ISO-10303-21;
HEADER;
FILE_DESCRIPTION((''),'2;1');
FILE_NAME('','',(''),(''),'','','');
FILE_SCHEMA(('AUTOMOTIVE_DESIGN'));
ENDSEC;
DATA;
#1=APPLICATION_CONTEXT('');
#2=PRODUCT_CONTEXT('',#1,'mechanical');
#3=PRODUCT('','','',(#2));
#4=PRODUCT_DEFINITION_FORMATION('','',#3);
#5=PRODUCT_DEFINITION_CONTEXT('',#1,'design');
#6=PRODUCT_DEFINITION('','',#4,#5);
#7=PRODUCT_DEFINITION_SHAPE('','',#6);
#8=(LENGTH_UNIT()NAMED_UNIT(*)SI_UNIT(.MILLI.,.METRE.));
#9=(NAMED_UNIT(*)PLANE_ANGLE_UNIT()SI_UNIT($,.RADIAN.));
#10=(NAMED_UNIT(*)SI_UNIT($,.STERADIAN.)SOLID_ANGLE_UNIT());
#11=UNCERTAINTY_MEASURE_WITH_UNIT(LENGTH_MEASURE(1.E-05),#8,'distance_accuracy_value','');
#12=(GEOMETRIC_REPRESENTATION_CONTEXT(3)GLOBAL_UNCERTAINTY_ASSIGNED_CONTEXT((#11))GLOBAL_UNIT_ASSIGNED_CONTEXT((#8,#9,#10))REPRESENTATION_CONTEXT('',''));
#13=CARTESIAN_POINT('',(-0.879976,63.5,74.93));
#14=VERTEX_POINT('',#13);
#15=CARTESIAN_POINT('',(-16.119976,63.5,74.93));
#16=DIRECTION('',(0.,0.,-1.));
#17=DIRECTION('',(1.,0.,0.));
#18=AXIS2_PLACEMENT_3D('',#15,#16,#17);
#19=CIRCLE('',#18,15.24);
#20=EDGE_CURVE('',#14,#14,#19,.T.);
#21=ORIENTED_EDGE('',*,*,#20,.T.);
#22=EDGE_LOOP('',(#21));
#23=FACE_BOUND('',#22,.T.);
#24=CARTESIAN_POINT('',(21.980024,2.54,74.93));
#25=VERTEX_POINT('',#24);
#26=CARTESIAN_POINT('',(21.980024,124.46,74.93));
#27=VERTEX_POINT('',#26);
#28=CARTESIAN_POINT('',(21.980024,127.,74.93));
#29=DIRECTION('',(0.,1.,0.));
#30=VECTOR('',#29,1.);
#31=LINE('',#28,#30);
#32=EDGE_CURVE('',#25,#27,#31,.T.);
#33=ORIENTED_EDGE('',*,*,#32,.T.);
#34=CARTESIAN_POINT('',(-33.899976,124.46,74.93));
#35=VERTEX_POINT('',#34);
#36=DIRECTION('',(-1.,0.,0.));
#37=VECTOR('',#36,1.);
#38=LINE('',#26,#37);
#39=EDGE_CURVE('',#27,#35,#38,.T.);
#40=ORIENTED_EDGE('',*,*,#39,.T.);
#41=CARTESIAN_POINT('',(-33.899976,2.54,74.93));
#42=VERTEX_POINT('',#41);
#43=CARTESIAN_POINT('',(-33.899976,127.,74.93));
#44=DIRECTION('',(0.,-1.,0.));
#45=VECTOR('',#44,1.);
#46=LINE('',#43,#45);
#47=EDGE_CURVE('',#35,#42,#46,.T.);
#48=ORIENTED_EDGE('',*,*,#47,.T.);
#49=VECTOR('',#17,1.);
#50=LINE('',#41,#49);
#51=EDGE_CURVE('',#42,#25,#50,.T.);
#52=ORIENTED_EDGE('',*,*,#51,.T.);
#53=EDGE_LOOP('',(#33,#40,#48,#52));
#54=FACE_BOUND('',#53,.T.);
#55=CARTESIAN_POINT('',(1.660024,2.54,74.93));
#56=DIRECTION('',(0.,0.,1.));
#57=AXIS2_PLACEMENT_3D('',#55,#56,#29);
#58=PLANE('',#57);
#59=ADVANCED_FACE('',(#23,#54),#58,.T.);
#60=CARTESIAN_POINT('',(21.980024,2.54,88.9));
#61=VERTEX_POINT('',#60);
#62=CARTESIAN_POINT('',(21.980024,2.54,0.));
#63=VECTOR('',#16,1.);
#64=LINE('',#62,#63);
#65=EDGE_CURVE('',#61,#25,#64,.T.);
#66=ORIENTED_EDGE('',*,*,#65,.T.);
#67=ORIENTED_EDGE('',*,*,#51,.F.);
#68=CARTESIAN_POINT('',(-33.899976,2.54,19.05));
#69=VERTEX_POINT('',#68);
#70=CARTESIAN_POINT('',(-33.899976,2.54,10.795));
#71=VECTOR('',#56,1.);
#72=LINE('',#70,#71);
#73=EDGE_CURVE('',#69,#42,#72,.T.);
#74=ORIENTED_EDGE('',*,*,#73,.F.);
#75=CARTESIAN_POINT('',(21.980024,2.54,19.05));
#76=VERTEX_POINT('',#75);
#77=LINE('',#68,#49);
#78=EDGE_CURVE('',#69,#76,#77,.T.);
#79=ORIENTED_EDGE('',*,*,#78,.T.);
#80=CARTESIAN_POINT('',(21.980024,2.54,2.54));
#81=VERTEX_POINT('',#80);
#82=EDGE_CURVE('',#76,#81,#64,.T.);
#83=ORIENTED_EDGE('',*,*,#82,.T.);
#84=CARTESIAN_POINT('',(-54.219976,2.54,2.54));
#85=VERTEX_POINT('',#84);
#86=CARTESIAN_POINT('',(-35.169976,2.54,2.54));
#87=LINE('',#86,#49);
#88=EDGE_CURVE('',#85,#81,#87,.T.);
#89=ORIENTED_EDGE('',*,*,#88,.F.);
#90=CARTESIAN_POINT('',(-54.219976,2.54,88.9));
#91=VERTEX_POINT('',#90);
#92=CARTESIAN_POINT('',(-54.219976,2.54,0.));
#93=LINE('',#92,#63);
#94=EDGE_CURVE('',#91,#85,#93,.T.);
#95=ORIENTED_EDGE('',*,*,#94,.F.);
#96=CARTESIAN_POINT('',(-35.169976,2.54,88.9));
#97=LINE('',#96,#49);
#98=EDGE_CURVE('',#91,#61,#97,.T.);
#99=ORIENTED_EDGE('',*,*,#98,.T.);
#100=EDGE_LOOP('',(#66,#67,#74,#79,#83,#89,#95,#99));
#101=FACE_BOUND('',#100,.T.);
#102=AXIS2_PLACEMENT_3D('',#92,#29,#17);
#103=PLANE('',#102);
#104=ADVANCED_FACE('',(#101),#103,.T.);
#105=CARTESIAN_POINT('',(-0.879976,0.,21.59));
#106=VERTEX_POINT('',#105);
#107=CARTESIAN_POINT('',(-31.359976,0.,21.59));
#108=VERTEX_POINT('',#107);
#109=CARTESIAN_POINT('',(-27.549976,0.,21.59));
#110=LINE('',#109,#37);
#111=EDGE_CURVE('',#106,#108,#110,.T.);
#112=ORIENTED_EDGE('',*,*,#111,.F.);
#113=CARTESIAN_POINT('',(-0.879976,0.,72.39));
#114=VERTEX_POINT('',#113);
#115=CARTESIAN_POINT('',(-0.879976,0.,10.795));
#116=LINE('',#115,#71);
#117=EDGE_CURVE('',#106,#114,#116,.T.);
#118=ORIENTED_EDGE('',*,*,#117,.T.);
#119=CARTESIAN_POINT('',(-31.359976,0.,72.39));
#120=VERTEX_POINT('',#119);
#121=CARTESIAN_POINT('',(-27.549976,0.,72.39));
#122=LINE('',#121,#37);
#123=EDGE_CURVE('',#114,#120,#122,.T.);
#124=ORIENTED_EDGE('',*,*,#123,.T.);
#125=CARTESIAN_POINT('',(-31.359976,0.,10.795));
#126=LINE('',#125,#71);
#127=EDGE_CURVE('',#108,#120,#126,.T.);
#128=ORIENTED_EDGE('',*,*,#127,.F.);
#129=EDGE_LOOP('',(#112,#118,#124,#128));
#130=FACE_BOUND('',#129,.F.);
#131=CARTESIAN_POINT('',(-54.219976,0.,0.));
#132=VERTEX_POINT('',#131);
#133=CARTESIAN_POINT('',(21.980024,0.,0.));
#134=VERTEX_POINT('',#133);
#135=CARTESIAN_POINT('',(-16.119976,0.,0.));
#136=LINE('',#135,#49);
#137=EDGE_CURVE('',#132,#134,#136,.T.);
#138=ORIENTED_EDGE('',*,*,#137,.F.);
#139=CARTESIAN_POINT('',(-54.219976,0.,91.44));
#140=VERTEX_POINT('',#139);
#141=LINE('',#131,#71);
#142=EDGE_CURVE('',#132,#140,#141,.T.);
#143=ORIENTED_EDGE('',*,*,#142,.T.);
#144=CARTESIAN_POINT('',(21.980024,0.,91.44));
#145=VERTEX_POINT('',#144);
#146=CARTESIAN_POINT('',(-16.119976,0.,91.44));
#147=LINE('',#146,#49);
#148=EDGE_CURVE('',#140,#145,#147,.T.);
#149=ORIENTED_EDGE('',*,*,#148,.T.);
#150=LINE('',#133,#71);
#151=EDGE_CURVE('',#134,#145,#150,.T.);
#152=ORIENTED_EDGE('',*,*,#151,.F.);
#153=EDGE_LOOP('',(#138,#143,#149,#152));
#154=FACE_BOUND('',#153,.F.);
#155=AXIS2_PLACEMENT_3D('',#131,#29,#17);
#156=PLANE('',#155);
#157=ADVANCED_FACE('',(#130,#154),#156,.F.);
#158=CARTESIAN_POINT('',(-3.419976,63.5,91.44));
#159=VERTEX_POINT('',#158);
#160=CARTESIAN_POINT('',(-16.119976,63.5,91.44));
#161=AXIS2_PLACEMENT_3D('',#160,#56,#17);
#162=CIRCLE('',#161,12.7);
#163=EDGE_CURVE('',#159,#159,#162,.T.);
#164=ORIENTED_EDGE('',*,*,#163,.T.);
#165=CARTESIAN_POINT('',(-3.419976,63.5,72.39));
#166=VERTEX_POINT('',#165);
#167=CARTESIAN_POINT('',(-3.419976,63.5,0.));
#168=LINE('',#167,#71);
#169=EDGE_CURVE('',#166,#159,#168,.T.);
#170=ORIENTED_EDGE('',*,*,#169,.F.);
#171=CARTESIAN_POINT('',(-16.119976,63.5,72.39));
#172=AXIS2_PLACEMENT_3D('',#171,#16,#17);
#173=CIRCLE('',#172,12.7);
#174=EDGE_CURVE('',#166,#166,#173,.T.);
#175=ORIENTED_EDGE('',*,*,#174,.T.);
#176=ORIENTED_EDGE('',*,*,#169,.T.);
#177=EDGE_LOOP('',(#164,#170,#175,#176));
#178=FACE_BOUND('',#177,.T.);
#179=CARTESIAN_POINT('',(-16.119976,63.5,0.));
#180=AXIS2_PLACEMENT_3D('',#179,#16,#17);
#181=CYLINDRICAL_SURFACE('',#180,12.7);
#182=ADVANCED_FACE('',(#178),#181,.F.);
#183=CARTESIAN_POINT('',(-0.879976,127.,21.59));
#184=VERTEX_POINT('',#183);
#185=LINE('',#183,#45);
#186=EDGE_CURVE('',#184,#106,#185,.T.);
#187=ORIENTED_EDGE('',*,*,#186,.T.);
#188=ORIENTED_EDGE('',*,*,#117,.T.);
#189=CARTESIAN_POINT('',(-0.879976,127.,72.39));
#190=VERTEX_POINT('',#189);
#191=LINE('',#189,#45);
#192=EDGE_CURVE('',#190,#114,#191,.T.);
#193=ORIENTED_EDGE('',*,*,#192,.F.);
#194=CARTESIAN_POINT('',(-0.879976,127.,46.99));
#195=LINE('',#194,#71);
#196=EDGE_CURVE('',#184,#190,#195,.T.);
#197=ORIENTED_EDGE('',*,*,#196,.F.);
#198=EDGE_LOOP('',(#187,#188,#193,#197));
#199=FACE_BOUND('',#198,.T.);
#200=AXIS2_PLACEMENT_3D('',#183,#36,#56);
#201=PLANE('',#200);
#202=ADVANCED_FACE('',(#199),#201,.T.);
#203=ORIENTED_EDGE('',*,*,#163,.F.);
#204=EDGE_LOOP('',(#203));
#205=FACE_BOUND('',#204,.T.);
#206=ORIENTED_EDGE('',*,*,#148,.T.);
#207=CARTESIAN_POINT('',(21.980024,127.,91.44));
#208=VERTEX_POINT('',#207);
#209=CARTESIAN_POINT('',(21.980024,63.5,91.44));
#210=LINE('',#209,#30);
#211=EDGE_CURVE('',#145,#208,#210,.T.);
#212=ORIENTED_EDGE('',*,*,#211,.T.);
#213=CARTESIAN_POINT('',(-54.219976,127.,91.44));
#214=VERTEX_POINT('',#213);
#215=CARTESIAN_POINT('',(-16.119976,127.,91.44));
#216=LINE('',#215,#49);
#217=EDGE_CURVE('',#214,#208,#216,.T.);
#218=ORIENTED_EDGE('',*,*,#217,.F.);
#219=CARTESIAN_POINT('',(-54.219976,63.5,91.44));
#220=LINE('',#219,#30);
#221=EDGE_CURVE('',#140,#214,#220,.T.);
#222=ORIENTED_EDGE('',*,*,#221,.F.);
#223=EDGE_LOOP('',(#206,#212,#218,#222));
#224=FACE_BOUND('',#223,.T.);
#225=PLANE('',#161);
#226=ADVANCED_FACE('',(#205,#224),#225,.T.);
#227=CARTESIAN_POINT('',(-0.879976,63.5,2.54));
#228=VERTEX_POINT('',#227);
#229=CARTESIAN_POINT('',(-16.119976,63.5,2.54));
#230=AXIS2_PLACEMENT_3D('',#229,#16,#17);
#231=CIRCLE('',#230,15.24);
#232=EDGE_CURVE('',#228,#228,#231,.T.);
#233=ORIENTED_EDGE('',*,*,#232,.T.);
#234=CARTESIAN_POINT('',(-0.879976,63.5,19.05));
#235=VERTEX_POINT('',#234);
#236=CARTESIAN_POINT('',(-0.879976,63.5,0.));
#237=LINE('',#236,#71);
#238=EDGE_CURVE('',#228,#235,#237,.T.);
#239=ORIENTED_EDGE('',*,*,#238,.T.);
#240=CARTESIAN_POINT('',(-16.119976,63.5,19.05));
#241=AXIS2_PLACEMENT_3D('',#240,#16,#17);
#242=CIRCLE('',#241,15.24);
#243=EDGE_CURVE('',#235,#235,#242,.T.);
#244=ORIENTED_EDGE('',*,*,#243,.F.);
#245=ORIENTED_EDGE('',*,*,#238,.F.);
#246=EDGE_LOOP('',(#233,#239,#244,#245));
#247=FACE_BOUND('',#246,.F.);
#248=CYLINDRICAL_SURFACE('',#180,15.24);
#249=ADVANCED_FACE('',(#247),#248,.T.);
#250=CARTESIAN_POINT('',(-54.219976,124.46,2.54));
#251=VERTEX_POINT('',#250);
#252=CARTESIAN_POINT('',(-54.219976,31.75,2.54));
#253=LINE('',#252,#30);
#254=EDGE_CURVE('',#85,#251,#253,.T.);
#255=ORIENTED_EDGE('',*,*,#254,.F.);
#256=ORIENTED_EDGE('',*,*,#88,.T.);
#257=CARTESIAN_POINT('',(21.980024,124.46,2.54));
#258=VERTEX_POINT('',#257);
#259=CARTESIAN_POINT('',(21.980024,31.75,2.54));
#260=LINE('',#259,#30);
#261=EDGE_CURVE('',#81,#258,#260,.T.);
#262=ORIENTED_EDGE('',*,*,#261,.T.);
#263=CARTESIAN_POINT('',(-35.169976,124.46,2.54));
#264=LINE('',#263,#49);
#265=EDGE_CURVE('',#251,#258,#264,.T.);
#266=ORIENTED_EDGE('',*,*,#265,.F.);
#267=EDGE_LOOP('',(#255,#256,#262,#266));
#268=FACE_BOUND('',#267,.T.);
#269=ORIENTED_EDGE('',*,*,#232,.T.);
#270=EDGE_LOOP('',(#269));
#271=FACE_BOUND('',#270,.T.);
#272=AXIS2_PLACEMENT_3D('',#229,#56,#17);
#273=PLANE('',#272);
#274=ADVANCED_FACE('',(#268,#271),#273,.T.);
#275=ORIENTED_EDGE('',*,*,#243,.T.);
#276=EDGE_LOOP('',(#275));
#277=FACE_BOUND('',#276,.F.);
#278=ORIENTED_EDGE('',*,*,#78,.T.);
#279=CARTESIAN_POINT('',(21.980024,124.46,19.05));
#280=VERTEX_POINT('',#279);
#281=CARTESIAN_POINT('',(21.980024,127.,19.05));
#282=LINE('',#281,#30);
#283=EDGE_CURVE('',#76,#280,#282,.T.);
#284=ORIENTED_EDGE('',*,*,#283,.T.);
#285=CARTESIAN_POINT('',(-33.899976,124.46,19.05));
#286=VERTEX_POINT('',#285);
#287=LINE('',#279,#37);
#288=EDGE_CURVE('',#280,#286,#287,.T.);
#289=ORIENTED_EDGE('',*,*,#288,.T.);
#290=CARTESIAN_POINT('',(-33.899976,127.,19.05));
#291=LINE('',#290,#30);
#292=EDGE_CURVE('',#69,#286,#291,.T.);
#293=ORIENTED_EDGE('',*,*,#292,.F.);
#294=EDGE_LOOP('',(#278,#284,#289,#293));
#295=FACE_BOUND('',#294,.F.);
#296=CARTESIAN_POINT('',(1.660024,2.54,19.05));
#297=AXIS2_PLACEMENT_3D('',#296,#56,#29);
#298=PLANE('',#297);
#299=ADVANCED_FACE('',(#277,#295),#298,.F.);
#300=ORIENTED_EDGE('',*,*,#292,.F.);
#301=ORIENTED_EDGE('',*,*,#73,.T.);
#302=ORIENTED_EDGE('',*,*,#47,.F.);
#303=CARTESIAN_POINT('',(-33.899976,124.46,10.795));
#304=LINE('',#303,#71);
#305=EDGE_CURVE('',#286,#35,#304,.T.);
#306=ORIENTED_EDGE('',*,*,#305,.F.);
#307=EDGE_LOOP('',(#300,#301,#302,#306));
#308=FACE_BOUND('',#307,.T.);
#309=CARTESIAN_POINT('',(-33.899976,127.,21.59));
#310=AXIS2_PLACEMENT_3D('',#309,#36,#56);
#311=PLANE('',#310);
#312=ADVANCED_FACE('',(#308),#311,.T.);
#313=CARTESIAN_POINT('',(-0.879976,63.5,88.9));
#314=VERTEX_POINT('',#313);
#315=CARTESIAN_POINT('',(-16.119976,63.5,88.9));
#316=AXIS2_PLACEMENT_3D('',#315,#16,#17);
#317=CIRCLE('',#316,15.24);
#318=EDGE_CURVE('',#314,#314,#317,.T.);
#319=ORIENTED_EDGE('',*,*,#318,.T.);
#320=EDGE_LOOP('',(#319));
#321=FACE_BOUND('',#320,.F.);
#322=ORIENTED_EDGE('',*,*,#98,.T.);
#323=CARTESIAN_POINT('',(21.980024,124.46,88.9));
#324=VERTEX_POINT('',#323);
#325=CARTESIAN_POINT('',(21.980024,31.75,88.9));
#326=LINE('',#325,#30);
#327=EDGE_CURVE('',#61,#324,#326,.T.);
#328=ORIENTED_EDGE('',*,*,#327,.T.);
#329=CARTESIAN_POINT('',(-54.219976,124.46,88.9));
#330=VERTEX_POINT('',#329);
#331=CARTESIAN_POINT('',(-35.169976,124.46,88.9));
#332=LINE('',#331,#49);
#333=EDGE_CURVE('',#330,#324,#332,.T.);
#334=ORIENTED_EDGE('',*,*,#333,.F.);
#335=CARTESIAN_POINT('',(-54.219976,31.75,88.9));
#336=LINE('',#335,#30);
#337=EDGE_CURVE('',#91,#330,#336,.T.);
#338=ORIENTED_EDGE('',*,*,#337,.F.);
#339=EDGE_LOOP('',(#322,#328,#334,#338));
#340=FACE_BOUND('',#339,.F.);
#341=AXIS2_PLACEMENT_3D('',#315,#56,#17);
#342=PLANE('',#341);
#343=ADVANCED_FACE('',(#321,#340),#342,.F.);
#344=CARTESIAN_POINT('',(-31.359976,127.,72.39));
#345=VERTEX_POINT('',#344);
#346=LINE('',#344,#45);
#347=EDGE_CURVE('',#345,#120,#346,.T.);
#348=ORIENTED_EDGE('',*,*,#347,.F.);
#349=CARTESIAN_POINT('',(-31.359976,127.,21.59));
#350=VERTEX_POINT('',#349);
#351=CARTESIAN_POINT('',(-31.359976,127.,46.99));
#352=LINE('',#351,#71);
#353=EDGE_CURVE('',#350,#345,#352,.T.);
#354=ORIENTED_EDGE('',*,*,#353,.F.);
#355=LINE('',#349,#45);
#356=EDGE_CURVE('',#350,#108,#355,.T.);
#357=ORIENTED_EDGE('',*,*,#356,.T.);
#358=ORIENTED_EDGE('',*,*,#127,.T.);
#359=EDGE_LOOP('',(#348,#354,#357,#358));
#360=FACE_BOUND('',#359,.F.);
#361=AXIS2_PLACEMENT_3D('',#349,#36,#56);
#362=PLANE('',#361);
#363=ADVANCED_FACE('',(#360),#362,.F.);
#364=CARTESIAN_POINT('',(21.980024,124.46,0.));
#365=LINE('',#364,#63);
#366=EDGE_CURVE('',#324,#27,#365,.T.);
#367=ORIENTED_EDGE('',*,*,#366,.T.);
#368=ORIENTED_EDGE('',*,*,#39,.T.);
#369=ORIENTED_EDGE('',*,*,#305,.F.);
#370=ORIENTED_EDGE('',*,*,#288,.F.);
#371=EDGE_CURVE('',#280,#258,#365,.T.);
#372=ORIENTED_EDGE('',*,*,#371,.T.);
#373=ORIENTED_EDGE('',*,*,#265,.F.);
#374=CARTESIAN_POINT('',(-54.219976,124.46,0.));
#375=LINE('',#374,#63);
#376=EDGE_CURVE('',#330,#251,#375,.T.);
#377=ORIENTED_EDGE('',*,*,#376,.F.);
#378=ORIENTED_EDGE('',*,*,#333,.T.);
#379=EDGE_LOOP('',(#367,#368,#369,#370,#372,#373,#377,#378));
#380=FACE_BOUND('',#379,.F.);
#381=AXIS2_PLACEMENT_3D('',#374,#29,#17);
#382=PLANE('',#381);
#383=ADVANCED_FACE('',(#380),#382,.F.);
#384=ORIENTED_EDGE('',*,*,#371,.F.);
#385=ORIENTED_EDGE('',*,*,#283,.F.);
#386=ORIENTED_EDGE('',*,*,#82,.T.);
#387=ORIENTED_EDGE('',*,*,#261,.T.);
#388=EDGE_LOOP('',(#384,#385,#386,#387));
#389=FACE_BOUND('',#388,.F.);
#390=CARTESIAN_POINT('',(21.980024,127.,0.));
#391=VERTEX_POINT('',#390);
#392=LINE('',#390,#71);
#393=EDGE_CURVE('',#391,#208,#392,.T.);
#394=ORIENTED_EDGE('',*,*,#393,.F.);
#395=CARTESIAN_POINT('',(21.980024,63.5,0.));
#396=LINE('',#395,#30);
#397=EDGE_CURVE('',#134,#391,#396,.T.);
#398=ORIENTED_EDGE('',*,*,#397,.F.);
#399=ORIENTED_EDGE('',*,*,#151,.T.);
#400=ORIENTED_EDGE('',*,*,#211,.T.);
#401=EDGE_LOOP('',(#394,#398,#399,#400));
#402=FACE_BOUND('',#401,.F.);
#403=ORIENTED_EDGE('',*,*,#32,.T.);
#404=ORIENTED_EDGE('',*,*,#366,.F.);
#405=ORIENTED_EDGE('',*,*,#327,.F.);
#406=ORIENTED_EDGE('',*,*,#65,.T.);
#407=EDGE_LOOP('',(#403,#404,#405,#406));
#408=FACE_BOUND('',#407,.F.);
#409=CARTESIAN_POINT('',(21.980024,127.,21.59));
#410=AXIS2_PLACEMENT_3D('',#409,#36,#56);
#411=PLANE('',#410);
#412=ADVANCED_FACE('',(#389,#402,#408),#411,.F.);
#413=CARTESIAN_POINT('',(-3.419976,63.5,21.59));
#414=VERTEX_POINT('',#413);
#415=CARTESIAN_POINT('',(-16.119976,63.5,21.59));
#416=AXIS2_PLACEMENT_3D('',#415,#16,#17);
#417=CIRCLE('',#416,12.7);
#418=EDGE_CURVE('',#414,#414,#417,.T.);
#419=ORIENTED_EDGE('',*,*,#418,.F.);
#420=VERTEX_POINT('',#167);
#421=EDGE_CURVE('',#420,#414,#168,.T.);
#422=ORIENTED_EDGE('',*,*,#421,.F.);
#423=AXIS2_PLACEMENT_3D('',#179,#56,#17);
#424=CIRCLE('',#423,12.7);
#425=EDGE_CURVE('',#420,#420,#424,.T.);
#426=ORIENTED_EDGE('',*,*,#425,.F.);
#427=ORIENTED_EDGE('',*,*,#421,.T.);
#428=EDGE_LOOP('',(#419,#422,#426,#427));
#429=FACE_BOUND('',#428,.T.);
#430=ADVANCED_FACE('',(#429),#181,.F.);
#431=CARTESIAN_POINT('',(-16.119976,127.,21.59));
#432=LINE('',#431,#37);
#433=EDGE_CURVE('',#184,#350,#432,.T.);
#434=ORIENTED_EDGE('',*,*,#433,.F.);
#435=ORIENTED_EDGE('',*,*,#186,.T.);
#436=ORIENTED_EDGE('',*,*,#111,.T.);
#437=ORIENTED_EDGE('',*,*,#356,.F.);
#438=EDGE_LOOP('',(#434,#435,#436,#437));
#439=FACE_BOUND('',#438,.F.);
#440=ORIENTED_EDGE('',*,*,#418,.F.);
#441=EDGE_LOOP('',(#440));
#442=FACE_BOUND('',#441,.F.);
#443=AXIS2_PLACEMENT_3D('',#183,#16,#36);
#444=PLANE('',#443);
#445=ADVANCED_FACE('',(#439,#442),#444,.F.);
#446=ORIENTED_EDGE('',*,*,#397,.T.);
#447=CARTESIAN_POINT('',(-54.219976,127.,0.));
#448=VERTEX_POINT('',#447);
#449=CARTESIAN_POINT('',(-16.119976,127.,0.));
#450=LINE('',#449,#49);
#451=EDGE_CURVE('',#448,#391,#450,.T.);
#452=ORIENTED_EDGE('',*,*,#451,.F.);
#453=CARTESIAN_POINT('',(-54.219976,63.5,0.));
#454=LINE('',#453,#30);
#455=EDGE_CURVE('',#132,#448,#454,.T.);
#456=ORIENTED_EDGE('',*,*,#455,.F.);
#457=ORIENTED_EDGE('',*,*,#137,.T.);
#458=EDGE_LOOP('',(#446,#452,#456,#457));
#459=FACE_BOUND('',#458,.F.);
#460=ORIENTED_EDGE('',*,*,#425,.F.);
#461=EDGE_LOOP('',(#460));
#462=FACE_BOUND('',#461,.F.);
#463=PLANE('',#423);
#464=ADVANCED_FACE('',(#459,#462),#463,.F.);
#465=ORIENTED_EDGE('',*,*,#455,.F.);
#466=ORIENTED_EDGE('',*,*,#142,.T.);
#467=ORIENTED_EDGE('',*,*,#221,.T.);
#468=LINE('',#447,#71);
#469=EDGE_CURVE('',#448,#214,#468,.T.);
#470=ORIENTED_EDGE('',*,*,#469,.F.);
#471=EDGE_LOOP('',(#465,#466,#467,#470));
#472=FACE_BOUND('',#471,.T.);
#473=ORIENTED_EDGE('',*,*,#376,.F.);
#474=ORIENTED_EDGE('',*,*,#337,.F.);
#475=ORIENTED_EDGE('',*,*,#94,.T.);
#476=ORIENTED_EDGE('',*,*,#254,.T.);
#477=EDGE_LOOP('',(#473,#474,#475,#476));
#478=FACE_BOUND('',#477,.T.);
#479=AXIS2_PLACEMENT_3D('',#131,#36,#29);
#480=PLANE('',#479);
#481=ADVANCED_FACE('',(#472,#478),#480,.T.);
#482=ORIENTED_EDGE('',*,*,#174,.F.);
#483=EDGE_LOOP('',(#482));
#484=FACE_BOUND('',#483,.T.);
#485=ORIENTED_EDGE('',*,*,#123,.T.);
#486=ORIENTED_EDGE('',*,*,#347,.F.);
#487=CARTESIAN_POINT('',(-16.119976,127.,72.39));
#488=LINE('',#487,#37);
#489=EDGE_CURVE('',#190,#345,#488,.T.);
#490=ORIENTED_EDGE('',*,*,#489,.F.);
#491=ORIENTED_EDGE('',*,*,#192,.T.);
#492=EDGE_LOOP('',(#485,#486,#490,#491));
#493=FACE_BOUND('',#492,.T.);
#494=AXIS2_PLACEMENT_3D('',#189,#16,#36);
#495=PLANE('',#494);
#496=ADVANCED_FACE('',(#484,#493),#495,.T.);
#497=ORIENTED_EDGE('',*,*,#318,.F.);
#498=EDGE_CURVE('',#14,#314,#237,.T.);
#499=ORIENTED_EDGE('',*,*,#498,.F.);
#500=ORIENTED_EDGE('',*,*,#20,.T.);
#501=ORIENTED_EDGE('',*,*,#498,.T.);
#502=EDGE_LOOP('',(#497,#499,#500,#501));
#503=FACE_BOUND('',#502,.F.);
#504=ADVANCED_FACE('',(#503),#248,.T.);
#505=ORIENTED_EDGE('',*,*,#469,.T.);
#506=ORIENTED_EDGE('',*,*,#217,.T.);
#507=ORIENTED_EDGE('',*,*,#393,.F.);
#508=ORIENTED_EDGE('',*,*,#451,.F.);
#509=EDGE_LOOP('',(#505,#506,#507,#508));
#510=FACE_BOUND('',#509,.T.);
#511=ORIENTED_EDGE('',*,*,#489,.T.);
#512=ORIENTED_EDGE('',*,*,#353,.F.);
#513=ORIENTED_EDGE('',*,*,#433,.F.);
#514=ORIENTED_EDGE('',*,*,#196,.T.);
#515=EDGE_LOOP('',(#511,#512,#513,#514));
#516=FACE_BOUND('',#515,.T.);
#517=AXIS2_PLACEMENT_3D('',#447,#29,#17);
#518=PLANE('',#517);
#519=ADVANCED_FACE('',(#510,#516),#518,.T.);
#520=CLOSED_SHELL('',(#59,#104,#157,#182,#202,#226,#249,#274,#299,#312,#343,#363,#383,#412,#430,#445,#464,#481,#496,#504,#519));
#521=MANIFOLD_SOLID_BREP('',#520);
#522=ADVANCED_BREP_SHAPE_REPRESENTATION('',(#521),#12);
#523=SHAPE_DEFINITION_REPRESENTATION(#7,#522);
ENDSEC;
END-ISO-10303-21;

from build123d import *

# Parameters (mm, degrees)
F0_W     = 76.2
F0_H     = 127
F0_R     = 12.7
F1_DEPTH = 91.44
F2_W     = 30.48
F2_H     = 50.8
F3_DEPTH = 143.256
F4_T     = -2.54
F5_DEPTH = 20.32


with BuildPart() as f1:
    # F0 (on Top) → F1 (new body)
    with BuildSketch(Plane.XY):
        with Locations((-16.1199760675, 63.5)):
            Rectangle(F0_W, F0_H)
        with Locations((-16.1199760675, 63.5)):
            Circle(F0_R, mode=Mode.SUBTRACT)
    extrude(amount=F1_DEPTH)

    # F2 (on face) → F3 (cut)
    with BuildSketch(Plane(origin=(0, 127, 0), x_dir=(-1, 0, 0), z_dir=(0, 1, 0))):
        with Locations((16.1199760675, 46.99)):
            Rectangle(F2_W, F2_H)
    extrude(amount=-F3_DEPTH, mode=Mode.SUBTRACT)

    # F4
    f4_openings = [f1.faces().sort_by_distance(p)[0] for p in [
        (21.980024, 63.5, 45.72),
        (-54.219976, 63.5, 45.72),
    ]]
    offset(amount=F4_T, openings=f4_openings, kind=Kind.INTERSECTION)

    # F5 (add): a face of the model
    f5_faces = [f1.faces().sort_by_distance(p)[0] for p in [
        (1.6600239325, 63.5, 46.99),
    ]]
    extrude(f5_faces, amount=F5_DEPTH)


solid = f1.part
